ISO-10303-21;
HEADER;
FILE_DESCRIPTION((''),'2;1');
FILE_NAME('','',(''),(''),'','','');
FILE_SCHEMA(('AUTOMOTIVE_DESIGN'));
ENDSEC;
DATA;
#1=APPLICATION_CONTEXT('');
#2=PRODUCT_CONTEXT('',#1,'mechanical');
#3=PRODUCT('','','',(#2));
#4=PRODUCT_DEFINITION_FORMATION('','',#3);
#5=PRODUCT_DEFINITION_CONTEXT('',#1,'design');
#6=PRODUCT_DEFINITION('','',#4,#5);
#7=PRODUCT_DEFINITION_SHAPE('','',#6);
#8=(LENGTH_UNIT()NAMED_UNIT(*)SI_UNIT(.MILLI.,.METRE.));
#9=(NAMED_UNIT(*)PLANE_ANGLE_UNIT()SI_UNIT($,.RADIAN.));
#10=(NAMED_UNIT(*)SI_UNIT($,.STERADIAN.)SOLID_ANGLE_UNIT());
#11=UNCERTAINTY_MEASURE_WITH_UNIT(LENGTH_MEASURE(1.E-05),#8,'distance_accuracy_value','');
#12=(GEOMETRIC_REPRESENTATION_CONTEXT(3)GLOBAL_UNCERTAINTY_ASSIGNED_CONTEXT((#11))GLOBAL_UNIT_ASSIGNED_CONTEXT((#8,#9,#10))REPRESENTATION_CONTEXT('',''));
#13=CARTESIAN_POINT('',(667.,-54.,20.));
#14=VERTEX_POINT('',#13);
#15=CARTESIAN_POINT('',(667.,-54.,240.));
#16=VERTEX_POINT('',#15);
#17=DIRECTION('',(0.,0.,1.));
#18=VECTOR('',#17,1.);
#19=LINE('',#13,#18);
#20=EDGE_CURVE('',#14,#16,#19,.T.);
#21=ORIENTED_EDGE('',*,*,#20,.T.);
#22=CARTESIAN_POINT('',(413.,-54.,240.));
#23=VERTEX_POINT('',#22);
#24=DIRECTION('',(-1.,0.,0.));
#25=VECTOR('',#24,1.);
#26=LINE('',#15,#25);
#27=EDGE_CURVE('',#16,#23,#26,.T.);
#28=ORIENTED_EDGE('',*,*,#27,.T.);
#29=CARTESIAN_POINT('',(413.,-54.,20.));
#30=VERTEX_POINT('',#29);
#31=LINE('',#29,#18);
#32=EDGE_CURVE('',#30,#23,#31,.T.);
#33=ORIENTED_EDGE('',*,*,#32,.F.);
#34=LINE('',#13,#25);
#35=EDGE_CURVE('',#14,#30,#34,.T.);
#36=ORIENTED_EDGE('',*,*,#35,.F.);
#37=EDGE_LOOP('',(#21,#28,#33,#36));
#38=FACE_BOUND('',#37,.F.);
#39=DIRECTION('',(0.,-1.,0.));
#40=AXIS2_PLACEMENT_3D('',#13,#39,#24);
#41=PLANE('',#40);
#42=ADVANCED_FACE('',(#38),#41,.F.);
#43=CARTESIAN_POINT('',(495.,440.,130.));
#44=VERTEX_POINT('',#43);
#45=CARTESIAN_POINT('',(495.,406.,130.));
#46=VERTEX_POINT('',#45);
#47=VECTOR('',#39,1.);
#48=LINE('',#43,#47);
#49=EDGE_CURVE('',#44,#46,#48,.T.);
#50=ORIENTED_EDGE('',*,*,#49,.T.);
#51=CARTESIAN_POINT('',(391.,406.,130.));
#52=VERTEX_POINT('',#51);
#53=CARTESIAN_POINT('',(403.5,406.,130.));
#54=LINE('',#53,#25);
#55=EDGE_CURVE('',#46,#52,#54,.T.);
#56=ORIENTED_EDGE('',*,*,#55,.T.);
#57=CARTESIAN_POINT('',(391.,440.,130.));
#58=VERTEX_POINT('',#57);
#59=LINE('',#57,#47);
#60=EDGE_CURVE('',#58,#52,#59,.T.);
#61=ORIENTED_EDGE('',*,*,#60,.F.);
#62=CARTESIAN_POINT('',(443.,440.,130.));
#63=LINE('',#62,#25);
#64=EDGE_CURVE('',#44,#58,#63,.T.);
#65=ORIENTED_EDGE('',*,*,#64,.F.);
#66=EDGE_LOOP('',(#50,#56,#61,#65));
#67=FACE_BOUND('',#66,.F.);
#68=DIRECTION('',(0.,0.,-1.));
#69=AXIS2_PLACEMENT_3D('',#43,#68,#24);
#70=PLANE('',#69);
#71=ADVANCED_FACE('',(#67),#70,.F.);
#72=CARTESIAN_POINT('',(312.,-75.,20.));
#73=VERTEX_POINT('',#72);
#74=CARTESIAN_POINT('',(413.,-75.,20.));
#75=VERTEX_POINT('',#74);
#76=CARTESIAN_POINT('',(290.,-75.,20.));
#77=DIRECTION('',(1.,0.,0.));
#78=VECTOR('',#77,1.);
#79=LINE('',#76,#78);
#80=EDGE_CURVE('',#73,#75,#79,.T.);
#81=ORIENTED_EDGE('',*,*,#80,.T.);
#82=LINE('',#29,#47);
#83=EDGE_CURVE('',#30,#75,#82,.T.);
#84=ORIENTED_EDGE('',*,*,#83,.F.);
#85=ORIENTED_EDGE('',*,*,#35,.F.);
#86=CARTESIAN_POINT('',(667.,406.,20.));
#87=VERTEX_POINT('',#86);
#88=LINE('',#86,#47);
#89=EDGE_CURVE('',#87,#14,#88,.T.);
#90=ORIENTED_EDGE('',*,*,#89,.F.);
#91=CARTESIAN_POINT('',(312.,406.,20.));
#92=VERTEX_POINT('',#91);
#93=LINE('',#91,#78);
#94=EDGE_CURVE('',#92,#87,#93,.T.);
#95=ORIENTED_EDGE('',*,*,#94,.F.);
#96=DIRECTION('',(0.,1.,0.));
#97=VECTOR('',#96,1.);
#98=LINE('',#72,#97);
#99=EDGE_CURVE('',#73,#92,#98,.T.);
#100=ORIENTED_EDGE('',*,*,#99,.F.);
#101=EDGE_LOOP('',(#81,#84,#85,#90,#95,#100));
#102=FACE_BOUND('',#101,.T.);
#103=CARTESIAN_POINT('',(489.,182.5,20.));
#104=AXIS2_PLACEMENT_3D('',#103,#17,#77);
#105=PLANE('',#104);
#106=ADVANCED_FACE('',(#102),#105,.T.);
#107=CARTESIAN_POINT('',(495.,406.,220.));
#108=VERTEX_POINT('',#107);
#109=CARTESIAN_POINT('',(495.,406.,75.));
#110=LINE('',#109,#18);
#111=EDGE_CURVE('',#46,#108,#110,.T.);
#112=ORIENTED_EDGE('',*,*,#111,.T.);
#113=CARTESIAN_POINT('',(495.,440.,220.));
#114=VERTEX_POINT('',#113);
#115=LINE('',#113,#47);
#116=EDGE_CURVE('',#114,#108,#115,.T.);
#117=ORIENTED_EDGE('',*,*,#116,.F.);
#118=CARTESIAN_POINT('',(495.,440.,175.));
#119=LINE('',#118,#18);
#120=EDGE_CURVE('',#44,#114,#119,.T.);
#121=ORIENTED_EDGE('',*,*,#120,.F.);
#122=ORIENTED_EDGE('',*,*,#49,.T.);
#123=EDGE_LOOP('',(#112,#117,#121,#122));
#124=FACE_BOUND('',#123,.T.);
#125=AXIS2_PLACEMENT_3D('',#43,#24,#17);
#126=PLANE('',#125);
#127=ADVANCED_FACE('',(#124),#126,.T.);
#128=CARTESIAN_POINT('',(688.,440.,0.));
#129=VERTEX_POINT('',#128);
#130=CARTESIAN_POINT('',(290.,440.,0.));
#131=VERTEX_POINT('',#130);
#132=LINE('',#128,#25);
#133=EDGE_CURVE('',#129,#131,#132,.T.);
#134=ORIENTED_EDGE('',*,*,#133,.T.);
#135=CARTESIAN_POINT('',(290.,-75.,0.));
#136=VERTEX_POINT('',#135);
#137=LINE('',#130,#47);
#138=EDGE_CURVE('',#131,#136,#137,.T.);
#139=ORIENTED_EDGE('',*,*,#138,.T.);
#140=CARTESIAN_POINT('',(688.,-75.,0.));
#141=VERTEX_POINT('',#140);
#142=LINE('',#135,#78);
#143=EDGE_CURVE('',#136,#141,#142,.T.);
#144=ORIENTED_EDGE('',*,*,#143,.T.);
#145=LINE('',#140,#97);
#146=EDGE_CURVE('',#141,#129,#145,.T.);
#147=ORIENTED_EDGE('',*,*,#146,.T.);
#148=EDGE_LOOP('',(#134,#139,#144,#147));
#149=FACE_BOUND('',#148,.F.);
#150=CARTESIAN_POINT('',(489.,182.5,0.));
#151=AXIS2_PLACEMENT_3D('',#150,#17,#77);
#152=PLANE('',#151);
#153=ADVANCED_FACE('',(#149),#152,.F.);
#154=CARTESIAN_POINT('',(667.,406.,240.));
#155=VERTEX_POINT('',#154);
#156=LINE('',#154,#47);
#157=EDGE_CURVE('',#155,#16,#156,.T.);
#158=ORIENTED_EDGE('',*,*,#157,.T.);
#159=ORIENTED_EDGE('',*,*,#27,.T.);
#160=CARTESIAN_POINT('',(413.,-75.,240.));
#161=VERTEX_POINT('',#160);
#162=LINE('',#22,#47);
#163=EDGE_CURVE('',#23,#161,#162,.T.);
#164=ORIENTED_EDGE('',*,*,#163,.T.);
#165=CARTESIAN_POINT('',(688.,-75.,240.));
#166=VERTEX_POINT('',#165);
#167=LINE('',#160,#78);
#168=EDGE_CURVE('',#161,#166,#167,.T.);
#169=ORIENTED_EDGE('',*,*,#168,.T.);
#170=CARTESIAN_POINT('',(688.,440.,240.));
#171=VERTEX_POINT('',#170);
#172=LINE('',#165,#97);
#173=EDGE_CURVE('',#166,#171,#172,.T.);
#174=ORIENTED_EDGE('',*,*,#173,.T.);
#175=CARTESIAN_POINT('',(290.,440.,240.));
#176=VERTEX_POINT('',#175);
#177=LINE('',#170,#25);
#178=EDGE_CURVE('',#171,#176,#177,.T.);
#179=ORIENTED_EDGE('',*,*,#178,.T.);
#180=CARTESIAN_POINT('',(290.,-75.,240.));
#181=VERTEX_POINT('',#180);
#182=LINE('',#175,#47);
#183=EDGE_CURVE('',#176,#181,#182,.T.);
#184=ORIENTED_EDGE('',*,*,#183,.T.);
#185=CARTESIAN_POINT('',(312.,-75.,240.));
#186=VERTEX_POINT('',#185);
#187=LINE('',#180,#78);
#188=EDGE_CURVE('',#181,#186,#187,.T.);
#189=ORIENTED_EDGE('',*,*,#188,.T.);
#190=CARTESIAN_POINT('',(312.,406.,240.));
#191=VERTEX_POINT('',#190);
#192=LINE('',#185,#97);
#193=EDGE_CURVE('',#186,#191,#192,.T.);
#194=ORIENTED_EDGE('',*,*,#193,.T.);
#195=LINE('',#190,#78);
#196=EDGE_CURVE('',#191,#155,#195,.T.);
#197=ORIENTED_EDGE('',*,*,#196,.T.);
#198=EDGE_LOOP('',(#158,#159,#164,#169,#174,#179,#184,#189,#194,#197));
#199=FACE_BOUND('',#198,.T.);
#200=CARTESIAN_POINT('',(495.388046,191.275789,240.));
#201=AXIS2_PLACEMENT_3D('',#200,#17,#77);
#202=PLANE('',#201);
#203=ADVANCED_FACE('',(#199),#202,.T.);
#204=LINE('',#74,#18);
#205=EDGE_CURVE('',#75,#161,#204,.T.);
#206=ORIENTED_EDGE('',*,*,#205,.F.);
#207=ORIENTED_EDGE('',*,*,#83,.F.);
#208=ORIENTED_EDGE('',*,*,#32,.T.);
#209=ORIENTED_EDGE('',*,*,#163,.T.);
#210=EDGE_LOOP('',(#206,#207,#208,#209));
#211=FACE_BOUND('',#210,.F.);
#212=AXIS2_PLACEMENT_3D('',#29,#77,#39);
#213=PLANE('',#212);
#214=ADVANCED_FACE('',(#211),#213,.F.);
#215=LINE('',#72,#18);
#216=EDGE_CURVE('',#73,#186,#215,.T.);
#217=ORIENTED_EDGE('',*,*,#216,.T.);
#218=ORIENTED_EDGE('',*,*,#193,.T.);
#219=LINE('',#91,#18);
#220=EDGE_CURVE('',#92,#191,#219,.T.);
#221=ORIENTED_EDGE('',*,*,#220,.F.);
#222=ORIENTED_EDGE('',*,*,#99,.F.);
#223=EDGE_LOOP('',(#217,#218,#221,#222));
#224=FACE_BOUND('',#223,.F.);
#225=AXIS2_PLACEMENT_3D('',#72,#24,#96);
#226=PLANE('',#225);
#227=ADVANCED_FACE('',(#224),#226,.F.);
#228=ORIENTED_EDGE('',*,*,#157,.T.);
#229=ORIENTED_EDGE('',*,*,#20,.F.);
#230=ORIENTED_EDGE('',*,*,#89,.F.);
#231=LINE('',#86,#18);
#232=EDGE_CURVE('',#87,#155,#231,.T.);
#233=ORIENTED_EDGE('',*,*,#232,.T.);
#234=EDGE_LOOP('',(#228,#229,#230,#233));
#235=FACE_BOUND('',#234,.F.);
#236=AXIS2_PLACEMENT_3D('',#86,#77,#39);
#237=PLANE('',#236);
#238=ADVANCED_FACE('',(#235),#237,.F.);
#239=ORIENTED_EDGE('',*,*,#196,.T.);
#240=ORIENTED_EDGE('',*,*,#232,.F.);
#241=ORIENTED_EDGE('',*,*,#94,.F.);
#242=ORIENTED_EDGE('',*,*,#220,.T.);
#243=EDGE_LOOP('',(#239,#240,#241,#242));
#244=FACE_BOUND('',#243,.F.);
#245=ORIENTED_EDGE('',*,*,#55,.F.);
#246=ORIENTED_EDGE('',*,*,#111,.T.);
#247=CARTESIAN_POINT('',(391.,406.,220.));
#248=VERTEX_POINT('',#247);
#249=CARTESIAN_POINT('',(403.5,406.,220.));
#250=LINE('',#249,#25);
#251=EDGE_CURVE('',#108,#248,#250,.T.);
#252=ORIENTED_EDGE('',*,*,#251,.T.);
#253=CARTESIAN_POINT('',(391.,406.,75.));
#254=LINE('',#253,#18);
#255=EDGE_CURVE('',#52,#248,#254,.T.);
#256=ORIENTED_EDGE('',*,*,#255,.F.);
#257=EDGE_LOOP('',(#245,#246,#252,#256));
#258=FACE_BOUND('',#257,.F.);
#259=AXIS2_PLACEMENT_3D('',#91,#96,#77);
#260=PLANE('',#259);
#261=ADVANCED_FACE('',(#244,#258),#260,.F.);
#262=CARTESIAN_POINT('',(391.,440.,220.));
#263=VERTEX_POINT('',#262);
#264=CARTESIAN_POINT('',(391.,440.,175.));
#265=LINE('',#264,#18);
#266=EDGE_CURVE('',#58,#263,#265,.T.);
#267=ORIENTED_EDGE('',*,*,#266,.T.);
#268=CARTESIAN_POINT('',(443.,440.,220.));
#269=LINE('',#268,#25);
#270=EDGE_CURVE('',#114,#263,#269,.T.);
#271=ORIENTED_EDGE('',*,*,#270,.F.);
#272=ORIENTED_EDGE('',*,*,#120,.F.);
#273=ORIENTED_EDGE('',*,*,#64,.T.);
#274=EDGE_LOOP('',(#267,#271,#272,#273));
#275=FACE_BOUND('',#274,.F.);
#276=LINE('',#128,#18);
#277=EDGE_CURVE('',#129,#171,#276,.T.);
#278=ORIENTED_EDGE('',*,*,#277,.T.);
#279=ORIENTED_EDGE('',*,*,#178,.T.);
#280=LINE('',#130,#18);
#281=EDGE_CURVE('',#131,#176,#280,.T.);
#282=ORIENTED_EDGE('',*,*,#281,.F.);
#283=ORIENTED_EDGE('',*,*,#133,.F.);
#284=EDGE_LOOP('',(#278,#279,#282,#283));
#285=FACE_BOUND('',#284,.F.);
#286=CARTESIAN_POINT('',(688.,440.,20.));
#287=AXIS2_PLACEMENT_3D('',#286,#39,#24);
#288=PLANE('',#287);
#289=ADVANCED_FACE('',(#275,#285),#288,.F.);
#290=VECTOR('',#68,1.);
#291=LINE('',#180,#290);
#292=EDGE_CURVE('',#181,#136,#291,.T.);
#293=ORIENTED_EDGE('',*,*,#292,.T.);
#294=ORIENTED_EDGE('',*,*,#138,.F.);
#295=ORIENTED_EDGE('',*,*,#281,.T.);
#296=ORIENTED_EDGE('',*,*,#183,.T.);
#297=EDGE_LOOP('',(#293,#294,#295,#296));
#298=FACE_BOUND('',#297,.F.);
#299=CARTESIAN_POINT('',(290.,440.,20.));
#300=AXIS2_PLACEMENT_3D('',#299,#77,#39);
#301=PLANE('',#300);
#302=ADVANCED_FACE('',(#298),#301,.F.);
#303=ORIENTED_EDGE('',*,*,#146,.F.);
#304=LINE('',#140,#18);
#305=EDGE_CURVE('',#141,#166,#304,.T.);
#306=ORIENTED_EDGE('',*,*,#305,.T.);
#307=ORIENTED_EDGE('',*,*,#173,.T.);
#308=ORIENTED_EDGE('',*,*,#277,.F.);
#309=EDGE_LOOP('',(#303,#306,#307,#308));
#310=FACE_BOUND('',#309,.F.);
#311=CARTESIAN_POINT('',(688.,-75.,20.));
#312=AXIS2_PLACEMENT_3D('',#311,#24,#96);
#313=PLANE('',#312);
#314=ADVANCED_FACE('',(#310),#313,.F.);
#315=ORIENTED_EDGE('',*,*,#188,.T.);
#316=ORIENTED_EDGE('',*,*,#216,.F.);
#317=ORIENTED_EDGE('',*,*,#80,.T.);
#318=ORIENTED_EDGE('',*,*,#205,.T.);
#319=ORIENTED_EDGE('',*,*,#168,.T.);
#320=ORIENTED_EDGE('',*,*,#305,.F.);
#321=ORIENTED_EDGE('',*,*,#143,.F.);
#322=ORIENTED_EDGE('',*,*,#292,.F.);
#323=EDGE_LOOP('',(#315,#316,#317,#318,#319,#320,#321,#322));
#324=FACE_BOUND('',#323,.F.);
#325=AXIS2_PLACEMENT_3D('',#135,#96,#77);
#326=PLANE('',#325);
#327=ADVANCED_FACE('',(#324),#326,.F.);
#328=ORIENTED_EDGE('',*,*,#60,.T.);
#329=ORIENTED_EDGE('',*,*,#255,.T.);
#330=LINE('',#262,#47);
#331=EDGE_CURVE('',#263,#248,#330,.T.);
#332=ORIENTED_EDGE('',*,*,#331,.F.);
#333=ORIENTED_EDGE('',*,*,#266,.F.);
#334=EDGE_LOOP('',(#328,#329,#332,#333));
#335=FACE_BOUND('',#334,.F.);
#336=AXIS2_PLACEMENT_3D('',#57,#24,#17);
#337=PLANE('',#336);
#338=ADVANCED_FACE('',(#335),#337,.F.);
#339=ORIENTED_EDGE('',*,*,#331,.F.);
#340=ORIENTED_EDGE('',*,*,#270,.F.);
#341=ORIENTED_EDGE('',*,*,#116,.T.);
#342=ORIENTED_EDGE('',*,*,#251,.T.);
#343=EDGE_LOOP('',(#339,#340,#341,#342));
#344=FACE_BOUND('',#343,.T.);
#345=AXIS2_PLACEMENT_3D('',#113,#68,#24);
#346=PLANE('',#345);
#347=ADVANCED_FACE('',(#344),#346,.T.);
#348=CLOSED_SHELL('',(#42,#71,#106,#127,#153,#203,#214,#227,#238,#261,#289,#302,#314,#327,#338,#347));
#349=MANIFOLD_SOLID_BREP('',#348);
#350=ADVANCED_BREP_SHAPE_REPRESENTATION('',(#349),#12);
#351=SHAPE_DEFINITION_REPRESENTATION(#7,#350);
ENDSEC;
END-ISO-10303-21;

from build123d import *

# Parameters (mm, degrees)
F2_DEPTH = 20
F4_DEPTH = 220
F5_W     = 104
F5_H     = 90
F6_DEPTH = 40


with BuildPart() as f2:
    # F1 (on face) → F2 (new body)
    with BuildSketch(Plane.XY):
        Polygon((413, -75), (688, -75), (688, 440), (290, 440), (290, 406), (290, 141), (290, -75), align=None)
    extrude(amount=F2_DEPTH)

    # F3 (on face) → F4 (join)
    with BuildSketch(Plane.XY.offset(20)):
        Polygon((667, 406), (667, -54), (413, -54), (413, -75), (688, -75), (688, 406), (688, 440), (290, 440), (290, -75), (312, -75), (312, 43), (312, 124), (312, 406), align=None)
    extrude(amount=F4_DEPTH)

    # F5 (on face) → F6 (cut)
    with BuildSketch(Plane(origin=(0, 440, 0), x_dir=(-1, 0, 0), z_dir=(0, 1, 0))):
        with Locations((-443, 175)):
            Rectangle(F5_W, F5_H)
    extrude(amount=-F6_DEPTH, mode=Mode.SUBTRACT)


solid = f2.part
